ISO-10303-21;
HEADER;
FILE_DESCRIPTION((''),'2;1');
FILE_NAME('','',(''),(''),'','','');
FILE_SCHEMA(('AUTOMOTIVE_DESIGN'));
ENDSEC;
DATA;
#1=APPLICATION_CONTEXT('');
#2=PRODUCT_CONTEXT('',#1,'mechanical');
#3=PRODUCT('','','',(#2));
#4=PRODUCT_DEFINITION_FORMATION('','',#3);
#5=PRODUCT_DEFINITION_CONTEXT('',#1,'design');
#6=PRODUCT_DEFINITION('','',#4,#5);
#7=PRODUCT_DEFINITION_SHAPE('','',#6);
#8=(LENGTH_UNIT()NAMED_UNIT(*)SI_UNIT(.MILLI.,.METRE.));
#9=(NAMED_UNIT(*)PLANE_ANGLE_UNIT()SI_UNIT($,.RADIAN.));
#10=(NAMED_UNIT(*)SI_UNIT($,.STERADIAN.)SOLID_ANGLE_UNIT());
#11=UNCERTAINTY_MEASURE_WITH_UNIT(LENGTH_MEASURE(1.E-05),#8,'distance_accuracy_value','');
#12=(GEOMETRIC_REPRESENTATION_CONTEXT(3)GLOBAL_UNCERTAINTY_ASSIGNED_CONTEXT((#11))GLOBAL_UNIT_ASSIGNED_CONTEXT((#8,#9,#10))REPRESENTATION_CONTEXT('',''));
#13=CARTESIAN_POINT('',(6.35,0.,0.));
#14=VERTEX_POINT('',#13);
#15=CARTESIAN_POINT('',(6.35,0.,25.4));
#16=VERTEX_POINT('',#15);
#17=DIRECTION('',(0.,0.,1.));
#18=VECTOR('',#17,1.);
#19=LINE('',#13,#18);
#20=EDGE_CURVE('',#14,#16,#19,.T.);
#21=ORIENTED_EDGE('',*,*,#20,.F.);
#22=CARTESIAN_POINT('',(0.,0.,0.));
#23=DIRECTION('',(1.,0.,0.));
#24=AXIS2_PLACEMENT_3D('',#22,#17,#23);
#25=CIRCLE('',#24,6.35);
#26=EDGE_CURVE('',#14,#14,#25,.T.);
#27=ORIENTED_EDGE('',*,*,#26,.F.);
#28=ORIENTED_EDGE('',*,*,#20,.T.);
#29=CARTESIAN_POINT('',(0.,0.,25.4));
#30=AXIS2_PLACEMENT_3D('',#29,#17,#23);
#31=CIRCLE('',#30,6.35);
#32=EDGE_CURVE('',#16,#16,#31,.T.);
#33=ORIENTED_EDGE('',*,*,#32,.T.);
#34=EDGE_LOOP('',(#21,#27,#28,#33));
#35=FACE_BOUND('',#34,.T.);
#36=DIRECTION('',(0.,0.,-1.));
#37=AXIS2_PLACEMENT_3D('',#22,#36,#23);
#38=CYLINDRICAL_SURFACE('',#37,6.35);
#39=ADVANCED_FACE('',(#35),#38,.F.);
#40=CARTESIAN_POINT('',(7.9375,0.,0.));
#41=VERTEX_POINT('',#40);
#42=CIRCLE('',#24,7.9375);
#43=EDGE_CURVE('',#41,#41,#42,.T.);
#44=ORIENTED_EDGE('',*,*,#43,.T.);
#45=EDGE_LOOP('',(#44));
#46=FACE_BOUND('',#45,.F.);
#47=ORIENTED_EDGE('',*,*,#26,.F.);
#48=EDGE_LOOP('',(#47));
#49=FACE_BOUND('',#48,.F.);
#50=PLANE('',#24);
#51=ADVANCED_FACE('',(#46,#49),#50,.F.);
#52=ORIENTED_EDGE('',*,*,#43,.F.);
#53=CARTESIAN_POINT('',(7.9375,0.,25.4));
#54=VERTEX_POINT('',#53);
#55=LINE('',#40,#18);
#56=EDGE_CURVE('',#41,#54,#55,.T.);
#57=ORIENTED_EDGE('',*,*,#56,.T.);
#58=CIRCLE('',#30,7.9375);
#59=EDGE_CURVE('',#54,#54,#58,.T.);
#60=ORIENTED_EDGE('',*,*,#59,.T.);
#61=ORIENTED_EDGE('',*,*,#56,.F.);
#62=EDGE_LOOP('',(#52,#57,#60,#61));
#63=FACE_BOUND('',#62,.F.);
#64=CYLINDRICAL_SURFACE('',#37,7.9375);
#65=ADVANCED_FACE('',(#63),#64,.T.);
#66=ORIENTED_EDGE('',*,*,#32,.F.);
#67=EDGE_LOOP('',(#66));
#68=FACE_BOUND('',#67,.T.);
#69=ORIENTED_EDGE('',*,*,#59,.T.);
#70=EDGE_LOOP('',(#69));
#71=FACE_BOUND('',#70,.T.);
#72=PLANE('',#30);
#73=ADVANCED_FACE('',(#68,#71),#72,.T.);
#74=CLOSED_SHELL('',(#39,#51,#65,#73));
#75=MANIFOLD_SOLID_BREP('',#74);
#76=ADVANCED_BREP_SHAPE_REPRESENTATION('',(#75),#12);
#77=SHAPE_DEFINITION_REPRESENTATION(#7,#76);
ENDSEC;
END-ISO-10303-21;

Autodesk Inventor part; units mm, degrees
ref_plane "YZ Plane" through (0, 0, 0) normal (1, 0, 0) x (0, 1, 0)
ref_plane "XZ Plane" through (0, 0, 0) normal (0, 1, 0) x (-1, 0, 0)
ref_plane "XY Plane" through (0, 0, 0) normal (0, 0, 1) x (1, 0, 0)
sketch "Sketch1" plane through (0, 0, 0) normal (0, 0, 1) x (1, 0, 0)
  circle A0 centre (0, 0) radius 7.9375
  circle A1 centre (0, 0) radius 6.35
  dimension "d0" = 15.875
  dimension "d1" = 12.7
extrude "Extrusion1" add sketch "Sketch1" along normal blind 25.4
properties part number "Flange Bearing" material "ABS Plastic"
